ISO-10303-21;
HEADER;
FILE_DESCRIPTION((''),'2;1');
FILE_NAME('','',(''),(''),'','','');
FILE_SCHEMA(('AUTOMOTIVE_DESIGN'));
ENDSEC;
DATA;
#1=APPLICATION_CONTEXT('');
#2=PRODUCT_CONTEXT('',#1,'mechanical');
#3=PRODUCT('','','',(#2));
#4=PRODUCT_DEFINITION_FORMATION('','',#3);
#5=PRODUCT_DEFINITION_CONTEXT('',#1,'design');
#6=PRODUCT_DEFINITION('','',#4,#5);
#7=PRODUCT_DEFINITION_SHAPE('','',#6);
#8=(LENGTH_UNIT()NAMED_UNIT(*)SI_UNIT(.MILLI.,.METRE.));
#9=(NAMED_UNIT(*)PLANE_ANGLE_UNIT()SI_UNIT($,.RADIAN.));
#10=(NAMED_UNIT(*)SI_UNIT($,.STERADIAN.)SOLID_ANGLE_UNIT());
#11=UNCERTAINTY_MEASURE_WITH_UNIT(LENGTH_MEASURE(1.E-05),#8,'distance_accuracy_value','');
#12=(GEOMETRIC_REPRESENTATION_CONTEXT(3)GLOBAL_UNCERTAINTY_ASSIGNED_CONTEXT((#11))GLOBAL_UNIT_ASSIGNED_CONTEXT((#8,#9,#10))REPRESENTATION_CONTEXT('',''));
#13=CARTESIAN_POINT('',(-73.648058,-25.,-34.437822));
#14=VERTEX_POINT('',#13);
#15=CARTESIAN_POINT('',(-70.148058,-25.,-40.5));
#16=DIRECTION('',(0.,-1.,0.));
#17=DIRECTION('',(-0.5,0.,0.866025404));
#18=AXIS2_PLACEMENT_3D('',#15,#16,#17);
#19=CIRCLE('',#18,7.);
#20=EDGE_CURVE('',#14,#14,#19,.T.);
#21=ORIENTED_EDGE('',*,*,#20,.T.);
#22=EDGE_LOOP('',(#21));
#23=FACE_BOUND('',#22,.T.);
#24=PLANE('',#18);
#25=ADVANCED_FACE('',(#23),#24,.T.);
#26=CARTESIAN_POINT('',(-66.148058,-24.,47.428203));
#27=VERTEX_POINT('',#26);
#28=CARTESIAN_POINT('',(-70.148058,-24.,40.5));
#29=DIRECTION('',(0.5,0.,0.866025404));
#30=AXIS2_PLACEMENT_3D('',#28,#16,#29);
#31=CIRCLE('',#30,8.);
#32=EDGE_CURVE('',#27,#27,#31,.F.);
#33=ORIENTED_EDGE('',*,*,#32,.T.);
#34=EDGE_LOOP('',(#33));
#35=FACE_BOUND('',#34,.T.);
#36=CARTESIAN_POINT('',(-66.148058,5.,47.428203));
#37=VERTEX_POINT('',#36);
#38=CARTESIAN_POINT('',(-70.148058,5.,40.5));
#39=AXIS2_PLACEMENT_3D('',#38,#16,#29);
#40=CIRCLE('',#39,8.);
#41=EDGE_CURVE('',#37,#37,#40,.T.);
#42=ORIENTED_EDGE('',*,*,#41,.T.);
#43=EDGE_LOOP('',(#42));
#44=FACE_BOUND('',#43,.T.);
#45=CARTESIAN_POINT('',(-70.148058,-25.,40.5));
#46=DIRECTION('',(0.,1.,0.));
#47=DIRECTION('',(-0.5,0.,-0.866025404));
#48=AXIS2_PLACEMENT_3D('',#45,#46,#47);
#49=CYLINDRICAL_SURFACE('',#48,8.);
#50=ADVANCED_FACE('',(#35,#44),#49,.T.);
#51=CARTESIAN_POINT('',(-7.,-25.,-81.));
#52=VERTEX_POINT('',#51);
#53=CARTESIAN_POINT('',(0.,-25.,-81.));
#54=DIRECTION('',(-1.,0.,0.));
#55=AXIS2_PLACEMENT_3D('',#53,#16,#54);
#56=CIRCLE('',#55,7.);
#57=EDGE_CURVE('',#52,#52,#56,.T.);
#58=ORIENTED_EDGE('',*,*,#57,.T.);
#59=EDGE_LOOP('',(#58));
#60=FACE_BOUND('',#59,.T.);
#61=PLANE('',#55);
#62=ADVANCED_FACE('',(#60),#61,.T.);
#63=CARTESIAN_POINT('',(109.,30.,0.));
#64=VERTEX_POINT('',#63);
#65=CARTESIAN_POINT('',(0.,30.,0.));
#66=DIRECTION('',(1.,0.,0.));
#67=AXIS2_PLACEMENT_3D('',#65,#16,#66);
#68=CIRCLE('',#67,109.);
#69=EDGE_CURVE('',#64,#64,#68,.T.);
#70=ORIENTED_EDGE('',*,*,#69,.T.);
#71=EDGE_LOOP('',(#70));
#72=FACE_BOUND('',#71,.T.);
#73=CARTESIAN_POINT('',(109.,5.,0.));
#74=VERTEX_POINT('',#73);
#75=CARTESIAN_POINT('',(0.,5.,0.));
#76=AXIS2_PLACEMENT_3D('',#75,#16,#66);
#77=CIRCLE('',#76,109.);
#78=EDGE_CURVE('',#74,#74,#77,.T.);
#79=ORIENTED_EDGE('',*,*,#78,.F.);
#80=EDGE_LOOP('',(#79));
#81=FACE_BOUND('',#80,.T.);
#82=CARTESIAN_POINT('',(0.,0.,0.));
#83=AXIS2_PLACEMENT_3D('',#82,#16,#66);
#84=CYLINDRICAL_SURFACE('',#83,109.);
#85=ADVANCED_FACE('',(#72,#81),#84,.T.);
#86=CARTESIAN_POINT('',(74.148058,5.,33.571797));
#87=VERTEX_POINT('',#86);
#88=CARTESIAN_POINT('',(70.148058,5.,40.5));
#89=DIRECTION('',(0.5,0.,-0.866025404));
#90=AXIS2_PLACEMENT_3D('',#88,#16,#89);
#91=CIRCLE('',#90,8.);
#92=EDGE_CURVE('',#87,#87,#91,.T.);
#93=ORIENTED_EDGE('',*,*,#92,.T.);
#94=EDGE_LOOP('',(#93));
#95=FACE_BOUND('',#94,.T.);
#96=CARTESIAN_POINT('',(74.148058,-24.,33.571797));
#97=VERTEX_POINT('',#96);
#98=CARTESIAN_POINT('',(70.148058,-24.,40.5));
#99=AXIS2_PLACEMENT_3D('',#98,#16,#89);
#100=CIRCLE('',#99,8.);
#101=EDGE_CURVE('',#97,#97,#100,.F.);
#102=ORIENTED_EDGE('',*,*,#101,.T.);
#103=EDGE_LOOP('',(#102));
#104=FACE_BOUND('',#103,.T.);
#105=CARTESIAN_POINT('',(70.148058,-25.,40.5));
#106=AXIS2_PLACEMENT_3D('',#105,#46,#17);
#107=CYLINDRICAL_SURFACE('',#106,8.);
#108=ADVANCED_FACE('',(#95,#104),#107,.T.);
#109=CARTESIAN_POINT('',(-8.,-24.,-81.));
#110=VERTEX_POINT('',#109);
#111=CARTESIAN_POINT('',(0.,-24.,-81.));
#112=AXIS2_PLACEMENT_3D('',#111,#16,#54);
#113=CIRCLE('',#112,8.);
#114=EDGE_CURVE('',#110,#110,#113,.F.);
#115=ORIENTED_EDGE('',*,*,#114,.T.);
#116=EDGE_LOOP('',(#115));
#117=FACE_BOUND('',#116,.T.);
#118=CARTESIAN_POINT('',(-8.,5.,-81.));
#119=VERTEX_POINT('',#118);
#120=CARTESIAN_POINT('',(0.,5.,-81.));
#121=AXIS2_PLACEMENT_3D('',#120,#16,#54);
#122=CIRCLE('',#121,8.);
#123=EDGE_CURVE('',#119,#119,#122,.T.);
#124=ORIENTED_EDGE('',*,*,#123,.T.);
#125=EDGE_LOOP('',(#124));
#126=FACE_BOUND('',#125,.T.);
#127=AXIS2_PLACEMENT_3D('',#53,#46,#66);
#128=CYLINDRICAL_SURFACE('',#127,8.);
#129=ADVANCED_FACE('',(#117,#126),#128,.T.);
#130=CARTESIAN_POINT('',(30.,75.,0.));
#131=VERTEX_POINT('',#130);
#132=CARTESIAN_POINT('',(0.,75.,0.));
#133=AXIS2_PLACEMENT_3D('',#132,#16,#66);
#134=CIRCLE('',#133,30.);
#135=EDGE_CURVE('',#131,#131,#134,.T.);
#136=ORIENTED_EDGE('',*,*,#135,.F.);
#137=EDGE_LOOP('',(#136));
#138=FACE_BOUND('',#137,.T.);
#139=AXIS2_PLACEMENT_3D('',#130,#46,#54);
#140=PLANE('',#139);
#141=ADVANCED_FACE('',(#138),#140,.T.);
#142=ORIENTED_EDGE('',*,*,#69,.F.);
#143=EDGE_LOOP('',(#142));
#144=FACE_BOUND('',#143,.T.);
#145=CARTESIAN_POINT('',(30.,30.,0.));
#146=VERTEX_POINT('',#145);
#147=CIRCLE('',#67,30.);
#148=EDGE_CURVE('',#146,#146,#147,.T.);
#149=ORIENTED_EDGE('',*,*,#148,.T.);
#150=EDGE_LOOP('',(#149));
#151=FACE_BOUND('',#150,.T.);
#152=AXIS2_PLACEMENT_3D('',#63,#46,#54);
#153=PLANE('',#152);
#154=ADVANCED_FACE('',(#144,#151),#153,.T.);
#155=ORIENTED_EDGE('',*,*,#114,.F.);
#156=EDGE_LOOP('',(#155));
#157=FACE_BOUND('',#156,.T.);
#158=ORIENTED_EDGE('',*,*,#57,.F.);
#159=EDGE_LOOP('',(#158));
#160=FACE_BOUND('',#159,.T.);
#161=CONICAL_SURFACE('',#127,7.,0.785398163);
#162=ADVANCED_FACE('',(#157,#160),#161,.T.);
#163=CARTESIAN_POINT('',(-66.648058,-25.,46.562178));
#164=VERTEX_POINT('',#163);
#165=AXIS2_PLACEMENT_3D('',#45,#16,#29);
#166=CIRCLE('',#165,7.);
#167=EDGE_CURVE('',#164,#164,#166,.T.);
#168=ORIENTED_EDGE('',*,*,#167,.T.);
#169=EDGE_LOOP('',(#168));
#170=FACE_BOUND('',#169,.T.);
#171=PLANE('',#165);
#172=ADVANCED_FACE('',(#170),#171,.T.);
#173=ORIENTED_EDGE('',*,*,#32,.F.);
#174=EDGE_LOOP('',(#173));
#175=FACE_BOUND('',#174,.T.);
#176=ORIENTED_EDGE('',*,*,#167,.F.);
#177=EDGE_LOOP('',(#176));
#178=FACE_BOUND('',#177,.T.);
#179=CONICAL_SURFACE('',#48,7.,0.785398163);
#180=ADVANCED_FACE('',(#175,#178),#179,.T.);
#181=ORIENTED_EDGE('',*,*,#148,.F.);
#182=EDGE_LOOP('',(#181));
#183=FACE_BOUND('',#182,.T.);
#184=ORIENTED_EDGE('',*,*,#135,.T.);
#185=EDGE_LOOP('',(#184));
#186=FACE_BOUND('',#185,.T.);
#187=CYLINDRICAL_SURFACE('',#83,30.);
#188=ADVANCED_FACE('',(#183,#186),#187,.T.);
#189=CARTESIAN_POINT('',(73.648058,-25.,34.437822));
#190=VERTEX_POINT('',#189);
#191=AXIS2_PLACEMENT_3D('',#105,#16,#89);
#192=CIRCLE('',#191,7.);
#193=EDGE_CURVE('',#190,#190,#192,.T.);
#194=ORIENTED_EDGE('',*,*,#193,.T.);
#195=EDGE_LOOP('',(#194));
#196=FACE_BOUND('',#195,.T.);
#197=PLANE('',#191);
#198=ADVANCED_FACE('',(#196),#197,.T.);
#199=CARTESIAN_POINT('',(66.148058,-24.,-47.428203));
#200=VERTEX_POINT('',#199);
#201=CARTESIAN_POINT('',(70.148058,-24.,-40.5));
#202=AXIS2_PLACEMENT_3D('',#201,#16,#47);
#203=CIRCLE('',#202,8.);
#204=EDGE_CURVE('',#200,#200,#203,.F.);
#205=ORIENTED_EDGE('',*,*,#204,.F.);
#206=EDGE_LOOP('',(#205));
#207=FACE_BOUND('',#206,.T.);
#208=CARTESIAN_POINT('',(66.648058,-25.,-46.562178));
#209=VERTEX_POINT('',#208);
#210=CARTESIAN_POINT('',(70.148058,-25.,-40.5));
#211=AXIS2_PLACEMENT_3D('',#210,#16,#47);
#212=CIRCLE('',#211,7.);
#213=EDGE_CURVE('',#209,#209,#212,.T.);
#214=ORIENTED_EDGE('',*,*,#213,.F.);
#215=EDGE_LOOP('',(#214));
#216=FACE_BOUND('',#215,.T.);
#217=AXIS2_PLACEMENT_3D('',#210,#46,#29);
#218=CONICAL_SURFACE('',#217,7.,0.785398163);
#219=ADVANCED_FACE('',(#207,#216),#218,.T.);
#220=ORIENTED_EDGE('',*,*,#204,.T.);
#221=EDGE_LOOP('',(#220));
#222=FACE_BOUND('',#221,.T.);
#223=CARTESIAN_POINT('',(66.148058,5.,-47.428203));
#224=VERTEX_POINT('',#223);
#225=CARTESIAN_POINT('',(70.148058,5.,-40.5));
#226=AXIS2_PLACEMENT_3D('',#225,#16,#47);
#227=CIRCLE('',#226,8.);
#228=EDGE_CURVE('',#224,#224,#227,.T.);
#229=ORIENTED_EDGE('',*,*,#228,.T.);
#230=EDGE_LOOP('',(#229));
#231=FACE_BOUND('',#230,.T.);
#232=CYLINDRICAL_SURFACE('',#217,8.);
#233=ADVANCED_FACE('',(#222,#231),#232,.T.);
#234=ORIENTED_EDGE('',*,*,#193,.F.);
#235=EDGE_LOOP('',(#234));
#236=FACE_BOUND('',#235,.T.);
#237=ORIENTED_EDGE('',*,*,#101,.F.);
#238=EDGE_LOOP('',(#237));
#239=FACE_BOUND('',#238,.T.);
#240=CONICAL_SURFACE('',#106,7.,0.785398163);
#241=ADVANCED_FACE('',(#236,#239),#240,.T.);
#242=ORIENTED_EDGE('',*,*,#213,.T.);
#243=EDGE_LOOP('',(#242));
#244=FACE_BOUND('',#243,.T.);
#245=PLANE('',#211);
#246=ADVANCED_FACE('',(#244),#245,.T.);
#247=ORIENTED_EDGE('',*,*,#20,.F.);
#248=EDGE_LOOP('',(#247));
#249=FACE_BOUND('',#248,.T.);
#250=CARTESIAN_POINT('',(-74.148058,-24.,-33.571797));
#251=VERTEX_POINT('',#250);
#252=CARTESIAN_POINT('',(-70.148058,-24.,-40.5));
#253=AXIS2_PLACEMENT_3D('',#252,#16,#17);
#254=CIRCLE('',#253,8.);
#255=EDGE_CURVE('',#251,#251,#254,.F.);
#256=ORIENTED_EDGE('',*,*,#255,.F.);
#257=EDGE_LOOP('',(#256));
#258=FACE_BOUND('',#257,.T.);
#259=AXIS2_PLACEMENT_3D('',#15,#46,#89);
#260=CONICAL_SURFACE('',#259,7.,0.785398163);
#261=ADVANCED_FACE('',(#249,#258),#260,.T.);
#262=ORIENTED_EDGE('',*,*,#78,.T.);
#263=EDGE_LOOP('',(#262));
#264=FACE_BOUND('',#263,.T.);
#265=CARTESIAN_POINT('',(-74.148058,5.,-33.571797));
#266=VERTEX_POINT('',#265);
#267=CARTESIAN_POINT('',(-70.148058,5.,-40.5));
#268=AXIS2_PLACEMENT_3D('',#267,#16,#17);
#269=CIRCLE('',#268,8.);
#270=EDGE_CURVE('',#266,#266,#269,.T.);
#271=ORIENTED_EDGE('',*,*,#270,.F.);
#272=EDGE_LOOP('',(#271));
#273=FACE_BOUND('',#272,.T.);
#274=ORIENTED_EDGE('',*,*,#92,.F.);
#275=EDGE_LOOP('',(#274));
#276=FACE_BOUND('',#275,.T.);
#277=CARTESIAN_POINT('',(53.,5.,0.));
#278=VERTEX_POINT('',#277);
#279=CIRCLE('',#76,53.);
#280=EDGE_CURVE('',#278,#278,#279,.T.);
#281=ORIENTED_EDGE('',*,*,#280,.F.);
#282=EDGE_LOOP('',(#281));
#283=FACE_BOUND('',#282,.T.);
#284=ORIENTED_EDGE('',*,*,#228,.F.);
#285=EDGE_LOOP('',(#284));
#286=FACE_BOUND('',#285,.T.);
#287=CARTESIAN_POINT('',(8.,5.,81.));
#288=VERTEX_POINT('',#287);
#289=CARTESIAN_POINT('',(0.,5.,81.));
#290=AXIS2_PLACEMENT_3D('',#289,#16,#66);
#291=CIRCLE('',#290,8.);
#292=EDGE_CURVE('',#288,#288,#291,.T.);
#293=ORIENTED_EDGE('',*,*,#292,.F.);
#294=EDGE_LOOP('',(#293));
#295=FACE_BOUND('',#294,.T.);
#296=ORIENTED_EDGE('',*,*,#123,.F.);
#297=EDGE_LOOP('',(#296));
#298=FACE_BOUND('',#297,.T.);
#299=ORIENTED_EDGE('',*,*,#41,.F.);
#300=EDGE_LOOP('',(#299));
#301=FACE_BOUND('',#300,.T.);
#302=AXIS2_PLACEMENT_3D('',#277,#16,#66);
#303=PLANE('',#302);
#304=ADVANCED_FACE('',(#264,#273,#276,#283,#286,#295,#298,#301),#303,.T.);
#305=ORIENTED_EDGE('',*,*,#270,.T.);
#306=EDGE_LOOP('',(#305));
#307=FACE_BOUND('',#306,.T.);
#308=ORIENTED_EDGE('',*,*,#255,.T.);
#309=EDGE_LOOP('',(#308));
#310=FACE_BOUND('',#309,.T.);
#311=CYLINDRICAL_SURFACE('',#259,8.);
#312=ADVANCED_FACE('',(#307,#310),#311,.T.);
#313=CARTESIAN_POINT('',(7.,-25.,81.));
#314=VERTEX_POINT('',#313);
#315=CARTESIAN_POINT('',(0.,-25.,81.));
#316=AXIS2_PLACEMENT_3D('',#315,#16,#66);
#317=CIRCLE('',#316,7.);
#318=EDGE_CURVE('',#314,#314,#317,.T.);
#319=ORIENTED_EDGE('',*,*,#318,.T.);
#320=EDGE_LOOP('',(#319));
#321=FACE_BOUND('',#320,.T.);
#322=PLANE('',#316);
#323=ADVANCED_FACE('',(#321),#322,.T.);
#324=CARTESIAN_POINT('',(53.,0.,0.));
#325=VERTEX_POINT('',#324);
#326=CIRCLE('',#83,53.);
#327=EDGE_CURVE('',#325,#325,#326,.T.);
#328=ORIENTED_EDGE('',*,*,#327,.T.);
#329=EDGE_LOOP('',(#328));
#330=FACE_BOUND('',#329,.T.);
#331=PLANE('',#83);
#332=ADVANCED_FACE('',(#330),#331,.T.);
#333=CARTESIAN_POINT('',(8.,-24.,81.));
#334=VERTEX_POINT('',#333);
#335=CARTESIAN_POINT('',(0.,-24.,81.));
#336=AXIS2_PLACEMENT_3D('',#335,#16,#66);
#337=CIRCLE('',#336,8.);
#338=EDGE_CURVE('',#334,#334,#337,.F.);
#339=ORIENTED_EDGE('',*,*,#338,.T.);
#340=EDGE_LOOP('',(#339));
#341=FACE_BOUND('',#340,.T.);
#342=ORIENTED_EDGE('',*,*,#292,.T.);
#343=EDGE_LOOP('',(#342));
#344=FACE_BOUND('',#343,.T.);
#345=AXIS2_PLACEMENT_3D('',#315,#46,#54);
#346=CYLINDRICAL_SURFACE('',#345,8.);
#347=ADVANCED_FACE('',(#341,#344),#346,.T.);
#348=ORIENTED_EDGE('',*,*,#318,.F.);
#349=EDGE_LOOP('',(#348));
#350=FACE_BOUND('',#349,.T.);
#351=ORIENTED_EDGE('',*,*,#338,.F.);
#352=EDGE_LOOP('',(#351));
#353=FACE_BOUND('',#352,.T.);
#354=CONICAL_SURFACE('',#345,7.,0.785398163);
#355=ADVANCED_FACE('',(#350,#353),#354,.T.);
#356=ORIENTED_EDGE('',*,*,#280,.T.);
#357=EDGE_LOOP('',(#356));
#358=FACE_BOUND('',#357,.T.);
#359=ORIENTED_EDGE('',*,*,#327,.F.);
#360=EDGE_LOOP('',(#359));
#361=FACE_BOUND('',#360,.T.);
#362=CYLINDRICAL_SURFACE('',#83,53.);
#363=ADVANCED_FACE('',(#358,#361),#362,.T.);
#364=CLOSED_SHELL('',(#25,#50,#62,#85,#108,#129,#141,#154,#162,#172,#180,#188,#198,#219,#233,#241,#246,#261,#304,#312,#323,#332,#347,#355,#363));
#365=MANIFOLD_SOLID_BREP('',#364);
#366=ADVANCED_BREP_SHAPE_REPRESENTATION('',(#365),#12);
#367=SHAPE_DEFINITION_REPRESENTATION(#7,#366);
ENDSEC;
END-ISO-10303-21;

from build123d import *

# Parameters (mm, degrees)
SKETCH2_R                    = 8
BOSS_EXTRUDE1_DEPTH          = 30
CHAMFER1_SIZE                = 1
CIRPATTERN3_COUNT            = 6
CHAMFER1_OF_CIRPATTERN3_SIZE = 1


with BuildPart() as part:
    # Sketch1 → Revolve1 (revolve)
    with BuildSketch(Plane.XY):
        Polygon((0, 0), (53, 0), (53, 5), (109, 5), (109, 30), (30, 30), (30, 75), (0, 75), align=None)
    revolve(axis=Axis((0, 0, 0), (0, 1, 0)))

    # Sketch2 → Boss-Extrude1 (add)
    with BuildSketch(Plane.XZ.offset(-5)):
        with Locations((0, 81)):
            Circle(SKETCH2_R)
    boss_extrude1 = extrude(amount=BOSS_EXTRUDE1_DEPTH)

    # Chamfer1
    chamfer1_edges = [part.edges().sort_by_distance(p)[0] for p in [
        (-8, -25, 81),
    ]]
    chamfer(chamfer1_edges, length=CHAMFER1_SIZE)

    # CirPattern3: Boss-Extrude1 ×6 about axis
    cirpattern3_axis = Axis((0, 0, 0), (0, 1, 0))
    for i in range(1, CIRPATTERN3_COUNT):
        add(boss_extrude1.rotate(cirpattern3_axis, i * 360 / CIRPATTERN3_COUNT))

    # Chamfer1 of CirPattern3
    chamfer1_of_cirpattern3_edges = [part.edges().sort_by_distance(p)[0] for p in [
        (66.148057707, -25, 47.42820323),
        (74.148057707, -25, -33.57179677),
        (8, -25, -81),
        (-66.148057707, -25, -47.42820323),
        (-74.148057707, -25, 33.57179677),
    ]]
    chamfer(chamfer1_of_cirpattern3_edges, length=CHAMFER1_OF_CIRPATTERN3_SIZE)


solid = part.part
